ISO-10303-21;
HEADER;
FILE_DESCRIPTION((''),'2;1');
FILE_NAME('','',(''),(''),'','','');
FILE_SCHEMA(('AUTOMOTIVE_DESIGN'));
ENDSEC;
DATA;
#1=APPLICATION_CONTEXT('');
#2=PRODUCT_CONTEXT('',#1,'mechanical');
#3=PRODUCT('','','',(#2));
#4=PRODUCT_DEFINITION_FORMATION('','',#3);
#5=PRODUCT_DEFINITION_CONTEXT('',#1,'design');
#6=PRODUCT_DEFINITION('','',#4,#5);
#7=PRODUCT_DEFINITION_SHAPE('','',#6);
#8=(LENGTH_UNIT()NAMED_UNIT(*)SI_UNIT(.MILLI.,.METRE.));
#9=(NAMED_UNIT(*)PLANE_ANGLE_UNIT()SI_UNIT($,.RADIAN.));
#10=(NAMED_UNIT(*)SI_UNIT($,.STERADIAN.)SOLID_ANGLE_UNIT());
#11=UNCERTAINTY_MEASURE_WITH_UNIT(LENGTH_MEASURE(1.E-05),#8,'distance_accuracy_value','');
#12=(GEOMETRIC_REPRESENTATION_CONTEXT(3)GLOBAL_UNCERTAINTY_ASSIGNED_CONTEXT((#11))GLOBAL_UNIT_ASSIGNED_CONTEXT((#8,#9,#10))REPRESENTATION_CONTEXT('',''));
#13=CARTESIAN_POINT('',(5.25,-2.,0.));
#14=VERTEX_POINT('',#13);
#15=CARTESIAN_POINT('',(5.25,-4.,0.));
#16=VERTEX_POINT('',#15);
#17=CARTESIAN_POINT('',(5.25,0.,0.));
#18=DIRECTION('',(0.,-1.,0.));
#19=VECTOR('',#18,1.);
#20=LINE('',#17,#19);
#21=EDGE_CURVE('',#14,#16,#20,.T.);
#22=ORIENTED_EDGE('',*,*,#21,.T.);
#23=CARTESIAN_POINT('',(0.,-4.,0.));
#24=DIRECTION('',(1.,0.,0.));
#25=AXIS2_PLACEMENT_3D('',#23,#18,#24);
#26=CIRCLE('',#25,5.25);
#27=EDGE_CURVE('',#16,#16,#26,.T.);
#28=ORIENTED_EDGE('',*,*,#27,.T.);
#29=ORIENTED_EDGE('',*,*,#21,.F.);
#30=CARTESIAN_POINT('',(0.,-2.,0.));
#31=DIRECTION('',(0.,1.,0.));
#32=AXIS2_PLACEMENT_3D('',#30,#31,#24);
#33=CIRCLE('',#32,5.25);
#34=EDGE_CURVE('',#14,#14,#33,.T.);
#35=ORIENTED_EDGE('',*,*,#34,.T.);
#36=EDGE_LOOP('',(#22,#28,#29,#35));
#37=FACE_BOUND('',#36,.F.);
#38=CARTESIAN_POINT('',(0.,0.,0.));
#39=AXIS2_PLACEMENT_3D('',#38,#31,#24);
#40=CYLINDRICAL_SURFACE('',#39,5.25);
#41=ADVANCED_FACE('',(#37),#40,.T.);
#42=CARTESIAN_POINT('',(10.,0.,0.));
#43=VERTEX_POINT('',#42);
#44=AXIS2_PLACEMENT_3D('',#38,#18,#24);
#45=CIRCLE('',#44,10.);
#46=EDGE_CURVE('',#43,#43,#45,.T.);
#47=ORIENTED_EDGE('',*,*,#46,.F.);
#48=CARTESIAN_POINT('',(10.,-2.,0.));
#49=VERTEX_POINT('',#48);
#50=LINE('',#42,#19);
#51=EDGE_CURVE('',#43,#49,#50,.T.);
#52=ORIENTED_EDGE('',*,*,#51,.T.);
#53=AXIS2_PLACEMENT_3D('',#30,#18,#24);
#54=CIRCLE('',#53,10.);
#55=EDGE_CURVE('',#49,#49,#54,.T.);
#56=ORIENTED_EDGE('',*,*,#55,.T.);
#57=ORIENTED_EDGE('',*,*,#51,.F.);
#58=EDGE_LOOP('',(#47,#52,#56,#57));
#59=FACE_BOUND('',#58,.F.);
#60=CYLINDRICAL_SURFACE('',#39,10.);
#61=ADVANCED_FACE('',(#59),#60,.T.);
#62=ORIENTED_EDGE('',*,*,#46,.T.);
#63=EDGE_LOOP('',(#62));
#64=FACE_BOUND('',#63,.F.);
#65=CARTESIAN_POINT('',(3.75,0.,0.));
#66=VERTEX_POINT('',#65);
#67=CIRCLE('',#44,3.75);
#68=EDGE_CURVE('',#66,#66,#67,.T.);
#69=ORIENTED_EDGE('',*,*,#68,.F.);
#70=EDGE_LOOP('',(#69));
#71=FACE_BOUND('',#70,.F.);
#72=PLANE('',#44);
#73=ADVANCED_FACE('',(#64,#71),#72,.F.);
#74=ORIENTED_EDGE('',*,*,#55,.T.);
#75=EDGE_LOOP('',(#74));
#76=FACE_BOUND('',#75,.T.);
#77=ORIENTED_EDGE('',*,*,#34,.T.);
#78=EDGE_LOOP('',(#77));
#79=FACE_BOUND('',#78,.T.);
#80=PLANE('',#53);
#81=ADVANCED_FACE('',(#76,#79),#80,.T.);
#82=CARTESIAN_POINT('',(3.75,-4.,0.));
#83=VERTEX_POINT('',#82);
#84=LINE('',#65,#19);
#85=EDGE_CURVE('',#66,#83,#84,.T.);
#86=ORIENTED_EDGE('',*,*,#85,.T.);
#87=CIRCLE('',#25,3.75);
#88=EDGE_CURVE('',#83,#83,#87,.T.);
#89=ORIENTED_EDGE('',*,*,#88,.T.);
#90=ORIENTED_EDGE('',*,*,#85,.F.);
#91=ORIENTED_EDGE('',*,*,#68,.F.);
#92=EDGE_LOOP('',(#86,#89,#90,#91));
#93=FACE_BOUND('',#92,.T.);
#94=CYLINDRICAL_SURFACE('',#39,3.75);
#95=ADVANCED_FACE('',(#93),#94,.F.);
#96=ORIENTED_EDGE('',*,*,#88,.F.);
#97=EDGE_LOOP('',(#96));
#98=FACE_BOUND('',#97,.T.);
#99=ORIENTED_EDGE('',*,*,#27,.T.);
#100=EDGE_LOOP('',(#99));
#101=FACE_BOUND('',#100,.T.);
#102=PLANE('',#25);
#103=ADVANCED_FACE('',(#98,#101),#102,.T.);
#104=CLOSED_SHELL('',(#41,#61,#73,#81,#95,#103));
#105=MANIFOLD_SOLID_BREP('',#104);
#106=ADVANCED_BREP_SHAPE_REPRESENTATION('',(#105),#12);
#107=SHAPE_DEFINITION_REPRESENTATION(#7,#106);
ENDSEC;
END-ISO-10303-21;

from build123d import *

# Parameters (mm, degrees)
F0_R     = 10
F0_R_2   = 5.25
F0_R_3   = 3.75
F1_DEPTH = 2
F2_DEPTH = 4


with BuildPart() as f1:
    # F0 (on Front) → F1 (new body)
    with BuildSketch(Plane.XZ):
        Circle(F0_R)
        Circle(F0_R_2, mode=Mode.SUBTRACT)
        Circle(F0_R_2)
        Circle(F0_R_3, mode=Mode.SUBTRACT)
    extrude(amount=F1_DEPTH)

    # F0 (on Front) → F2 (join)
    with BuildSketch(Plane.XZ):
        Circle(F0_R_2)
        Circle(F0_R_3, mode=Mode.SUBTRACT)
    extrude(amount=F2_DEPTH)


solid = f1.part
